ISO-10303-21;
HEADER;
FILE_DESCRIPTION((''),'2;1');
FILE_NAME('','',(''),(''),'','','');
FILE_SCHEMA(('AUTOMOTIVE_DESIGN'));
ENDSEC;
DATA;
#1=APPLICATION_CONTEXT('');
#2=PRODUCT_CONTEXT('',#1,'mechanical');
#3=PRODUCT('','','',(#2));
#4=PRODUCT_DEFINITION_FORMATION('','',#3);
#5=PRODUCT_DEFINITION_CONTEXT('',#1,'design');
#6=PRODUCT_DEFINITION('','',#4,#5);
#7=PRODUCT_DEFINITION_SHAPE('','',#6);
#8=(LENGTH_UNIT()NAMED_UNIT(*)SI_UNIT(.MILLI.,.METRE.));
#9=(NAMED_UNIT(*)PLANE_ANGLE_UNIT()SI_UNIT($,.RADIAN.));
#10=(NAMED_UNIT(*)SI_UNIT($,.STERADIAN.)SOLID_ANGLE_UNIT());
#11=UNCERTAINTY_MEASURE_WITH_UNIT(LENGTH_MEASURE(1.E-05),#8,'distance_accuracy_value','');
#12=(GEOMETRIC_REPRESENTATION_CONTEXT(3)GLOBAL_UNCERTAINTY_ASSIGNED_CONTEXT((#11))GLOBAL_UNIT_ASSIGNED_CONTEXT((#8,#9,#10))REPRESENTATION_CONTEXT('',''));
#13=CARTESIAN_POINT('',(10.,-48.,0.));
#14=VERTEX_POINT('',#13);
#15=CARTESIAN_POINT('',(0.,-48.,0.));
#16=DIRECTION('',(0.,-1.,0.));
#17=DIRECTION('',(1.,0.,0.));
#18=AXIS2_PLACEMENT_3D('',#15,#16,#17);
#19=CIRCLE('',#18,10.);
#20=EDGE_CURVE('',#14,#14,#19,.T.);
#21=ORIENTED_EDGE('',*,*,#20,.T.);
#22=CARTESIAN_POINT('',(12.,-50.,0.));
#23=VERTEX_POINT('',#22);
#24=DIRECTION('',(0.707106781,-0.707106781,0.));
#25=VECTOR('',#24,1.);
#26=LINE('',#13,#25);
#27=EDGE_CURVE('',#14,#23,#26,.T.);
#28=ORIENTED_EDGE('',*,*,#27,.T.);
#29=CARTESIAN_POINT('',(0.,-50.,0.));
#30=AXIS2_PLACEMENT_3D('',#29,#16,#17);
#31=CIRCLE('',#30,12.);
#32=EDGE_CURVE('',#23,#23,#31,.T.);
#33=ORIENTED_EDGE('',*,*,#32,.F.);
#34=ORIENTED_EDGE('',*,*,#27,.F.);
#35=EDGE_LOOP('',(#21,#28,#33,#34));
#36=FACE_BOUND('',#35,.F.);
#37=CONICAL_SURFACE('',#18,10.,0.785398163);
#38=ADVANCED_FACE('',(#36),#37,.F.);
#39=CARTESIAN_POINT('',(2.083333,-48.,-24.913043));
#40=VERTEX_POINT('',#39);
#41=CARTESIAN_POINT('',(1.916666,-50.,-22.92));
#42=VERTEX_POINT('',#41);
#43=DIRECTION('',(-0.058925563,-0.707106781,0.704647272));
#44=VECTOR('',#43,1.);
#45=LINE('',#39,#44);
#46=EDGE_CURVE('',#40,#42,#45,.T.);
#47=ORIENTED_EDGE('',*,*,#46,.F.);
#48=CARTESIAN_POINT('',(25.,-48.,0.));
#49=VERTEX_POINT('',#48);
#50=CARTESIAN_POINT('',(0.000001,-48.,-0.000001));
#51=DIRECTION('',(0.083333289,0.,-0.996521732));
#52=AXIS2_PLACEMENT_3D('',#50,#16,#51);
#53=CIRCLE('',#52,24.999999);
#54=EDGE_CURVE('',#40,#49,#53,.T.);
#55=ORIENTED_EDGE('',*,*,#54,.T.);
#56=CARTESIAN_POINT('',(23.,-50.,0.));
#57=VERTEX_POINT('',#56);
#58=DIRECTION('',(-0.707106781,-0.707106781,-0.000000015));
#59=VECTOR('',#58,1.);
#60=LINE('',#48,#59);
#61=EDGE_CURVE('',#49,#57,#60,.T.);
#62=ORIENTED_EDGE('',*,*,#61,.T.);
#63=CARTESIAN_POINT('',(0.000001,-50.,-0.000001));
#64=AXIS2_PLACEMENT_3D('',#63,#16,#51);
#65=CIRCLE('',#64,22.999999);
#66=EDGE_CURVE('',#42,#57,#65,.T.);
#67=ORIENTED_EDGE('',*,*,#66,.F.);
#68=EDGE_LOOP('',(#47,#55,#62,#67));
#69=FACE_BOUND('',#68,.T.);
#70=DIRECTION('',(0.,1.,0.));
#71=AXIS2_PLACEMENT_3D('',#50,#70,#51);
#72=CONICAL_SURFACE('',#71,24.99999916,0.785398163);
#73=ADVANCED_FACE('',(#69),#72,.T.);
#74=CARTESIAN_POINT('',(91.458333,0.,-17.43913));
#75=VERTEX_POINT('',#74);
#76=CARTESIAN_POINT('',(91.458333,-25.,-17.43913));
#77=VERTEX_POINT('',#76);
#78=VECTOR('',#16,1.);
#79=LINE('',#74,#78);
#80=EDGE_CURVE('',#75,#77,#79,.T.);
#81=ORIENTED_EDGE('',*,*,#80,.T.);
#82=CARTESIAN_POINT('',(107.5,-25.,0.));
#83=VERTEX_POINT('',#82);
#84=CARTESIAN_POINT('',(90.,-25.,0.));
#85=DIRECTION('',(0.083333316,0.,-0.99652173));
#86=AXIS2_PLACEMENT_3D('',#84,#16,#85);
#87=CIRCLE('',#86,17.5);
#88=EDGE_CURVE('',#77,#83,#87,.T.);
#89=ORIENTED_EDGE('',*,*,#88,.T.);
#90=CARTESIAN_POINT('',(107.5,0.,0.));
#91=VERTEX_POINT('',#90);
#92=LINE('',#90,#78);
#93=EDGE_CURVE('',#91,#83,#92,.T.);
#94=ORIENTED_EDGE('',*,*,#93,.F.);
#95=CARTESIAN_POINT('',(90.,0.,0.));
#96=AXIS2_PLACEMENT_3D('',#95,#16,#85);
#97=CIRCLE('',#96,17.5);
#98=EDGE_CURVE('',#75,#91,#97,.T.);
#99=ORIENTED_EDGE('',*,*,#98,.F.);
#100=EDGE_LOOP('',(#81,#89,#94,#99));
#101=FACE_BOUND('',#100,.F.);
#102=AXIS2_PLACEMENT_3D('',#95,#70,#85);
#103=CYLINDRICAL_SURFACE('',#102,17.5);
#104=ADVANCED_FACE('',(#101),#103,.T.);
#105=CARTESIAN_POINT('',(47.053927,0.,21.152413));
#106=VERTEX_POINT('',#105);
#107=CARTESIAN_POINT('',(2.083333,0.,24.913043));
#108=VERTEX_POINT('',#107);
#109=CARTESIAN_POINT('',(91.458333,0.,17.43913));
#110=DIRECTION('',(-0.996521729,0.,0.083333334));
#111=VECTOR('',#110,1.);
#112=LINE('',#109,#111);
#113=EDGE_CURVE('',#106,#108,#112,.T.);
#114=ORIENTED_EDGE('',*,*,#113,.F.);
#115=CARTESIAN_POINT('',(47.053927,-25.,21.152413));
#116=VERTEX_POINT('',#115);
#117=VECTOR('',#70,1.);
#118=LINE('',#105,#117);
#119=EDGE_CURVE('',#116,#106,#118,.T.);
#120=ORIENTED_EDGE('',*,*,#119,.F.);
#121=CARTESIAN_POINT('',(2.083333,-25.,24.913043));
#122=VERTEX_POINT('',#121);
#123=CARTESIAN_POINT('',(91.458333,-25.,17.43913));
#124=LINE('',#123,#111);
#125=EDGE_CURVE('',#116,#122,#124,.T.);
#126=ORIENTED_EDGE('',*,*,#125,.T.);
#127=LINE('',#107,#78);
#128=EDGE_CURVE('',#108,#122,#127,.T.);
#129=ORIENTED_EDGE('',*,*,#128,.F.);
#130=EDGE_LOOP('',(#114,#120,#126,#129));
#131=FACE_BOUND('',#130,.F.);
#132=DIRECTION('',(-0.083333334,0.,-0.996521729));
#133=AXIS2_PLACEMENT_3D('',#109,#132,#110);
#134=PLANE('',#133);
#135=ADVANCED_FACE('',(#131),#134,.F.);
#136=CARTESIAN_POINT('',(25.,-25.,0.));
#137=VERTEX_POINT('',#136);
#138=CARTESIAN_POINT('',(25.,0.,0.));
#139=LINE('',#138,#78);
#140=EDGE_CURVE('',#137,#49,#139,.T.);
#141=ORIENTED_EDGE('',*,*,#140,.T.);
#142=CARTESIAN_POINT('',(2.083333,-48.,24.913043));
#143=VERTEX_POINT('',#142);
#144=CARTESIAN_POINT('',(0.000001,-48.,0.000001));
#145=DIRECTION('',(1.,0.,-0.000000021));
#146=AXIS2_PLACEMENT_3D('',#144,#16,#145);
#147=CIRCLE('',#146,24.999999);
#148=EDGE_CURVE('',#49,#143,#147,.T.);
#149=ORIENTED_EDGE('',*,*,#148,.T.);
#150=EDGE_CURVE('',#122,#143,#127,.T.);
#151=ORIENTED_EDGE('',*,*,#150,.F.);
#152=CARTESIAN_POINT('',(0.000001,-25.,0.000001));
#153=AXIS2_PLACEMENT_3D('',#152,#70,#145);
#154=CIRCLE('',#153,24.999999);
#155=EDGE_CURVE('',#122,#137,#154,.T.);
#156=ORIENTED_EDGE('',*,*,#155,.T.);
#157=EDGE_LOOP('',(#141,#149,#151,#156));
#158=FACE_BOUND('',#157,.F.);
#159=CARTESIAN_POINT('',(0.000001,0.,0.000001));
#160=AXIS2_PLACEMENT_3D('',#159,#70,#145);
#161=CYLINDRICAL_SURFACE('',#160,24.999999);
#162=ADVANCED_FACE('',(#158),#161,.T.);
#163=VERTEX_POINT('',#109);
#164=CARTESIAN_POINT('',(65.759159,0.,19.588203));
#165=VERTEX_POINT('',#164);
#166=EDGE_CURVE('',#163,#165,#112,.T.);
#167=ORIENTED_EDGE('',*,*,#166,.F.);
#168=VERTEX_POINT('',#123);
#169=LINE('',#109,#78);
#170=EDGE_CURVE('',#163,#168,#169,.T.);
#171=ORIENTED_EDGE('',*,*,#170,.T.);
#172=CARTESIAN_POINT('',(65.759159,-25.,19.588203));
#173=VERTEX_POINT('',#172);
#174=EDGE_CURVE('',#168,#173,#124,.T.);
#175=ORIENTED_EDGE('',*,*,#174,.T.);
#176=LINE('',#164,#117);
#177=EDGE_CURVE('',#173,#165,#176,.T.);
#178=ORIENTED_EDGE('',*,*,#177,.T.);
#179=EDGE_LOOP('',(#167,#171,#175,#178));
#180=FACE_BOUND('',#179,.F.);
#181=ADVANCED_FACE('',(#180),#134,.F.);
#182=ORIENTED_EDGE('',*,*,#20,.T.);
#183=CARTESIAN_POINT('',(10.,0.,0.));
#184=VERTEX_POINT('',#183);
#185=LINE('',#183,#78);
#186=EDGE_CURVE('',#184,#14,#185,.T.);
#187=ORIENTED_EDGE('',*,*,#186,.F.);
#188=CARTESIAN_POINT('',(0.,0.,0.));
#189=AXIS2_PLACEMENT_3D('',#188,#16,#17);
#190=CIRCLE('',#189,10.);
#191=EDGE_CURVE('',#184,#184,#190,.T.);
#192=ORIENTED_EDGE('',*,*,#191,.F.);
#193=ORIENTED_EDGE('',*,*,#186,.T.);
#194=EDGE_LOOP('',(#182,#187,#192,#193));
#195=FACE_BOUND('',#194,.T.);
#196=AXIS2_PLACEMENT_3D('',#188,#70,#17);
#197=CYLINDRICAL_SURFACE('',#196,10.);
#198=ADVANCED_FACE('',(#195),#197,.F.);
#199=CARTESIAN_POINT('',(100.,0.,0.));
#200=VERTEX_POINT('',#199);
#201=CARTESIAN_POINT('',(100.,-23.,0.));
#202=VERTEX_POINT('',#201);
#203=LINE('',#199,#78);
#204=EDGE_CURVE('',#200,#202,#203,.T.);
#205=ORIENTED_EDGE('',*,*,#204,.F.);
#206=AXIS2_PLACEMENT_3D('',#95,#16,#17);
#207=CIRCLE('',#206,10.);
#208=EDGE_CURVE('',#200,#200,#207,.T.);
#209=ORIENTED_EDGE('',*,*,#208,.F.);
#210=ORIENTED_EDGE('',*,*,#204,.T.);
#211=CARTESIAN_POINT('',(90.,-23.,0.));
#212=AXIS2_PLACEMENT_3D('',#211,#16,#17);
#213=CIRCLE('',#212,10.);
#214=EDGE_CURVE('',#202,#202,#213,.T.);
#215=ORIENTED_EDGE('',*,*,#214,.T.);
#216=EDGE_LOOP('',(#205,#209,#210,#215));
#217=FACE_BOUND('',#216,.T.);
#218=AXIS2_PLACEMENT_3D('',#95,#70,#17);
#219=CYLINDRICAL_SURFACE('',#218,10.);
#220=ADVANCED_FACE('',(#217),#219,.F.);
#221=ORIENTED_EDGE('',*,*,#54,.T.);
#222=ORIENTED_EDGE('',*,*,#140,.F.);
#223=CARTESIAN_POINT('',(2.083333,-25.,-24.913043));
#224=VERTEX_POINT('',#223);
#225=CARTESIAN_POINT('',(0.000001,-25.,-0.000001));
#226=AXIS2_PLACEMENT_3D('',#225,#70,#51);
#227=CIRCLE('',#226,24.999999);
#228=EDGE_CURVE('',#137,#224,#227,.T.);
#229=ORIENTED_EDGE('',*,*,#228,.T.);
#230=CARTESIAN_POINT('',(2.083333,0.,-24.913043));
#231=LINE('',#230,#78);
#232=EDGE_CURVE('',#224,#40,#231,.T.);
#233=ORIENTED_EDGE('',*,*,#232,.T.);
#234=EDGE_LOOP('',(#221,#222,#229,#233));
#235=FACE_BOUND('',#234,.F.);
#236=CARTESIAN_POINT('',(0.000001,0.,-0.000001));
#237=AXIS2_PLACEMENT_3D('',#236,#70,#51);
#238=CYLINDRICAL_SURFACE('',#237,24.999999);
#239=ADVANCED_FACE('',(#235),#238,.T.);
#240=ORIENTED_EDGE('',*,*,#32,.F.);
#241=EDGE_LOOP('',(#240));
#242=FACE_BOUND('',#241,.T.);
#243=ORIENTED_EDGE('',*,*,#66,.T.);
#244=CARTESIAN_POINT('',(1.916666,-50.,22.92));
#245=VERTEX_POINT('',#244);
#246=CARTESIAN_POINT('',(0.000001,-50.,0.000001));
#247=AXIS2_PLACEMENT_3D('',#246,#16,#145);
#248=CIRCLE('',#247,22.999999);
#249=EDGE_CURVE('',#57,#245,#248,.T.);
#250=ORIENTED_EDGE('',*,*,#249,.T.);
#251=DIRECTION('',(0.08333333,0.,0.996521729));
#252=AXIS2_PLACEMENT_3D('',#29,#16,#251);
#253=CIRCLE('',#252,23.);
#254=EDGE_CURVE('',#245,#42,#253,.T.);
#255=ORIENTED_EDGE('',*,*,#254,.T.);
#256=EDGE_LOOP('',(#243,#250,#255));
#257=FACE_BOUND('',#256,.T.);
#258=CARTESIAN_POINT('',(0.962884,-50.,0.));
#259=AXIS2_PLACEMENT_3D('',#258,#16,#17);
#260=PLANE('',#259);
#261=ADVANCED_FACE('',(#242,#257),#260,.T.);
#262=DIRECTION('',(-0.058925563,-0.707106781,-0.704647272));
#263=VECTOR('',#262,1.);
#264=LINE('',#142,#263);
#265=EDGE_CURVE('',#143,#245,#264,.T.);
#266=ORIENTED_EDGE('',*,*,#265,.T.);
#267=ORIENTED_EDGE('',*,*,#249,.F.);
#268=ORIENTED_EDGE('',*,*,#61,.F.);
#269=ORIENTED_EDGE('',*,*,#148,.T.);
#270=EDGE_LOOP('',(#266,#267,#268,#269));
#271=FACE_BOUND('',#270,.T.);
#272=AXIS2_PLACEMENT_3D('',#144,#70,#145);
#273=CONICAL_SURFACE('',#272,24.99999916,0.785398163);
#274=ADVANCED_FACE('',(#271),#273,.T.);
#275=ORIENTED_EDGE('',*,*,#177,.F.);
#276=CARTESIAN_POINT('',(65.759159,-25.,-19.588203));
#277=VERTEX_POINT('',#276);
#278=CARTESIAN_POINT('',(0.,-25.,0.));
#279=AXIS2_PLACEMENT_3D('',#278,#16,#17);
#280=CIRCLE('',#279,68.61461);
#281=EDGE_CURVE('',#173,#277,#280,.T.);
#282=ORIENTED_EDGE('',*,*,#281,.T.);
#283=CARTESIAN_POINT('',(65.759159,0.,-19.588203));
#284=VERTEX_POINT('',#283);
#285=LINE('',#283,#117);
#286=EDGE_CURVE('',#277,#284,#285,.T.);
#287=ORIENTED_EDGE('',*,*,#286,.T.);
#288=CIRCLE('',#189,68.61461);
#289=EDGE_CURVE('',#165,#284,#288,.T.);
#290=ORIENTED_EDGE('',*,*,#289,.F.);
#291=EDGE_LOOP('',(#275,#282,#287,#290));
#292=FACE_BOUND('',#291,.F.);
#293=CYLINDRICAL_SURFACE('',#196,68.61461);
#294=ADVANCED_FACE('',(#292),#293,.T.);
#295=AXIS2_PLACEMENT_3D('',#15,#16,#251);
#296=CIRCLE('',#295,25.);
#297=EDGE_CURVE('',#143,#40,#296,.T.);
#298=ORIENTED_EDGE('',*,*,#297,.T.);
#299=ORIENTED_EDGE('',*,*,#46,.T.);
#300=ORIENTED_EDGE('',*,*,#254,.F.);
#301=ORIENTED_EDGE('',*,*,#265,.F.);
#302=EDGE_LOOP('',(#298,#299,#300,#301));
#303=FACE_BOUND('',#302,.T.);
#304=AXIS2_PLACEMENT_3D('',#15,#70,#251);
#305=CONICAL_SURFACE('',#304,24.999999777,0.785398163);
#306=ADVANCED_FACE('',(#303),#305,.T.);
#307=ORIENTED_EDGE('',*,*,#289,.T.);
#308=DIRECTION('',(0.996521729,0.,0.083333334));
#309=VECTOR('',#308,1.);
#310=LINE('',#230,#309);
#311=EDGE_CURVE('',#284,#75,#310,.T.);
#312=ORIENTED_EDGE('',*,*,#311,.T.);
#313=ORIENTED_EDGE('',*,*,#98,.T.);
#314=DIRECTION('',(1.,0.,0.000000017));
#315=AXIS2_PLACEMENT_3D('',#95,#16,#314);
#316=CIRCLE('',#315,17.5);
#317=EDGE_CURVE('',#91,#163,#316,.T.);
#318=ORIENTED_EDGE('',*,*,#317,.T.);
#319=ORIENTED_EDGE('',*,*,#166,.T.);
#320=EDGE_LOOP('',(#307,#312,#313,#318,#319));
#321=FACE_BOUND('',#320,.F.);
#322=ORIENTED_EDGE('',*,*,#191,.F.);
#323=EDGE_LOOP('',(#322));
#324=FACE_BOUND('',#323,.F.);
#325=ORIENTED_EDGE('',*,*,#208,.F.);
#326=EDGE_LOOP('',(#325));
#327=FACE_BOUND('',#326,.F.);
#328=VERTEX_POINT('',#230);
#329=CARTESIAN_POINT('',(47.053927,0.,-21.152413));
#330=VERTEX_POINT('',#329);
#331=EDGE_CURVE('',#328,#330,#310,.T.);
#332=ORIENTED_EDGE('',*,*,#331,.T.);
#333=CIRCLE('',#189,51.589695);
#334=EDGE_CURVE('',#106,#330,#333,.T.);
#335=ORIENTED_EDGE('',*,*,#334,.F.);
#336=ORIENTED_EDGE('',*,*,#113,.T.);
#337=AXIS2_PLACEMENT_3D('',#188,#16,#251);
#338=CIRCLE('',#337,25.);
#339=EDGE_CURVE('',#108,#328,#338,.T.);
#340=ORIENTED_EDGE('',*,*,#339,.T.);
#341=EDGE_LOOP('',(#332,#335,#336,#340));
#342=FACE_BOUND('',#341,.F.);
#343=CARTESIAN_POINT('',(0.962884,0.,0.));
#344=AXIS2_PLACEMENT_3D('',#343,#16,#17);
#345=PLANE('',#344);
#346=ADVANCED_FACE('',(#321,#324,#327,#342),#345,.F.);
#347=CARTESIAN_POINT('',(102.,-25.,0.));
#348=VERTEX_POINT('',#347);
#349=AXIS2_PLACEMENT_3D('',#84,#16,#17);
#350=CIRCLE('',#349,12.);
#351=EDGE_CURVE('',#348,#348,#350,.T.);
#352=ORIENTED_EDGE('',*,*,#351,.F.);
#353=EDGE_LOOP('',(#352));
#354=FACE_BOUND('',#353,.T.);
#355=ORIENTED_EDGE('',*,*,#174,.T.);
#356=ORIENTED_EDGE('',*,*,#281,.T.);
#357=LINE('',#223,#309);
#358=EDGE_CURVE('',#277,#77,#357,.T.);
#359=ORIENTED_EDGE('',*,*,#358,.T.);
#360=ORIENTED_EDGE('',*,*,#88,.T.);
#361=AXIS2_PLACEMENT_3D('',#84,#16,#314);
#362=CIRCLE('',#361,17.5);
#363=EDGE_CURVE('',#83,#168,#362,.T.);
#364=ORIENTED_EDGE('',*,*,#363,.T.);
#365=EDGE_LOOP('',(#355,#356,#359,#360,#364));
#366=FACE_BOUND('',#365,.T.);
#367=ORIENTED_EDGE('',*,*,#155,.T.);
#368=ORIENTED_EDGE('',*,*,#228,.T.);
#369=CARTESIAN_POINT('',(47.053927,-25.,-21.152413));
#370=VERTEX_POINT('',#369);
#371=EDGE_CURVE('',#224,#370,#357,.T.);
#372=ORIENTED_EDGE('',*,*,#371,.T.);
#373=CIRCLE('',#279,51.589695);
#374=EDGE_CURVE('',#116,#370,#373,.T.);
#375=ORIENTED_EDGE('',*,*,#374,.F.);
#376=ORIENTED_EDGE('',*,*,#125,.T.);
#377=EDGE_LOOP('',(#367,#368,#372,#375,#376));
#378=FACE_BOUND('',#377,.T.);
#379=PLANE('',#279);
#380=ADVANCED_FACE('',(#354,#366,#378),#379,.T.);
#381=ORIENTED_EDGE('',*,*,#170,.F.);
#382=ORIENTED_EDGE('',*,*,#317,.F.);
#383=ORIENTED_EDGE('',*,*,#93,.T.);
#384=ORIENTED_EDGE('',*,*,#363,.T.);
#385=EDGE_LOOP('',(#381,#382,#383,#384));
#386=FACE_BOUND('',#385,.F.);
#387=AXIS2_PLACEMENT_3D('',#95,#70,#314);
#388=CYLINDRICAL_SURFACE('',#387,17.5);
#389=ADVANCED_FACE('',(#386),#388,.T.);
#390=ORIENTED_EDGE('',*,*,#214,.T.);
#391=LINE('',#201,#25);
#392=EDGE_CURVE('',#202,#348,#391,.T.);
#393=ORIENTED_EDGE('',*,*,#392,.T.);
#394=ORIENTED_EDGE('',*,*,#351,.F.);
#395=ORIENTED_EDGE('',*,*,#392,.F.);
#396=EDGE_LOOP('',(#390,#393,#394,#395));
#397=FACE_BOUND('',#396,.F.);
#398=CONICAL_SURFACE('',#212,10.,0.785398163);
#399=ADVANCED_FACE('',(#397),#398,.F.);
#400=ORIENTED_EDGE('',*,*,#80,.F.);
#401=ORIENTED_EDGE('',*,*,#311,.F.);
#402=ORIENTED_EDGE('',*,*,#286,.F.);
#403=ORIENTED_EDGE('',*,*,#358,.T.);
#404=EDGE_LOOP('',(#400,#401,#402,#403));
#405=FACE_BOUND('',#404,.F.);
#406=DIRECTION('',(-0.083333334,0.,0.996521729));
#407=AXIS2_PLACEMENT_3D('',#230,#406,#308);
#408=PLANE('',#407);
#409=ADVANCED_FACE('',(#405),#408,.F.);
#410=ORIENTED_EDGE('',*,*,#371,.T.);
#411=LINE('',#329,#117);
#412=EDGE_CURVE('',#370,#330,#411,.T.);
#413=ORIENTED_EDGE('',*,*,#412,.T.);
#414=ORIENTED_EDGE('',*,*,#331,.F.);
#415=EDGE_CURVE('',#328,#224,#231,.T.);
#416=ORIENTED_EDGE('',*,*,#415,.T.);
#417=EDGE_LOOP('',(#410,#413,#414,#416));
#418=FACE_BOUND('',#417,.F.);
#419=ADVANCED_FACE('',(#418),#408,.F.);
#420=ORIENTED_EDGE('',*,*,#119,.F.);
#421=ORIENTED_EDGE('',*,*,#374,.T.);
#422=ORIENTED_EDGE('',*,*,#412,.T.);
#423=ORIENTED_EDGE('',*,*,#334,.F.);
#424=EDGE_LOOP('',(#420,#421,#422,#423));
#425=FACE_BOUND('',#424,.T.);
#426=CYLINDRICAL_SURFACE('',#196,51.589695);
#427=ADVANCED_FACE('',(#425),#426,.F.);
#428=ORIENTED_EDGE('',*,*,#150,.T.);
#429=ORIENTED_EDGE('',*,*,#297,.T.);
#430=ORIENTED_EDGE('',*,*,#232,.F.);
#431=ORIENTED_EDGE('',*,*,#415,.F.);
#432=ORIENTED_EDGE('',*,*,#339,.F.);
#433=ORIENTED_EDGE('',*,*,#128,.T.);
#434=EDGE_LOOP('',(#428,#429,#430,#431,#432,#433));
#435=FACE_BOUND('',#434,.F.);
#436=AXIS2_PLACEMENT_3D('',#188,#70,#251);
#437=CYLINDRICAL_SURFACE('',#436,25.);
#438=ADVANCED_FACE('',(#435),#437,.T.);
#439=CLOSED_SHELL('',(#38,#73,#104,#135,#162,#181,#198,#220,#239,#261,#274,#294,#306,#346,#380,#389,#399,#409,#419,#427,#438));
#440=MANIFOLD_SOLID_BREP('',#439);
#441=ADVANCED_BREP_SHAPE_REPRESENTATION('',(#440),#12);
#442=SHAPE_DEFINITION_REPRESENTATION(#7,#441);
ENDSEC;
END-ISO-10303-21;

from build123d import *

# Parameters (mm, degrees)
F0_R     = 10
F1_DEPTH = 25
F2_DEPTH = 50
F3_SIZE  = 2
F4_R     = 68.61461
F4_R_2   = 51.589695
F5_DEPTH = 25


with BuildPart() as f1:
    # F0 (on Front) → F1 (new body)
    with BuildSketch(Plane.XZ):
        with BuildLine():
            ThreePointArc((2.083333, -24.913043), (18.399502, -16.92508), (25, 0))
            ThreePointArc((25, 0), (18.399502, 16.92508), (2.083333, 24.913043))
            ThreePointArc((2.083333, 24.913043), (-25, 0), (2.083333, -24.913043))
        make_face()
        Circle(F0_R, mode=Mode.SUBTRACT)
        with BuildLine():
            ThreePointArc((2.083333, 24.913043), (18.399502, 16.92508), (25, 0))
            ThreePointArc((25, 0), (18.399502, -16.92508), (2.083333, -24.913043))
            Line((2.083333, -24.913043), (91.458333, -17.43913))
            ThreePointArc((91.458333, -17.43913), (72.5, 0), (91.458333, 17.43913))
            Line((91.458333, 17.43913), (2.083333, 24.913043))
        make_face()
        with BuildLine():
            ThreePointArc((107.5, 0), (102.879651, 11.847556), (91.458333, 17.43913))
            ThreePointArc((91.458333, 17.43913), (72.5, 0), (91.458333, -17.43913))
            ThreePointArc((91.458333, -17.43913), (102.879651, -11.847556), (107.5, 0))
        make_face()
        with Locations((90, 0)):
            Circle(F0_R, mode=Mode.SUBTRACT)
    extrude(amount=F1_DEPTH)

    # F0 (on Front) → F2 (join)
    with BuildSketch(Plane.XZ):
        with BuildLine():
            ThreePointArc((2.083333, -24.913043), (18.399502, -16.92508), (25, 0))
            ThreePointArc((25, 0), (18.399502, 16.92508), (2.083333, 24.913043))
            ThreePointArc((2.083333, 24.913043), (-25, 0), (2.083333, -24.913043))
        make_face()
        Circle(F0_R, mode=Mode.SUBTRACT)
    extrude(amount=F2_DEPTH)

    # F3
    f3_edges = [f1.edges().sort_by_distance(p)[0] for p in [
        (-2.083333, -50, 24.913043),
        (-10, -50, 0),
        (80, -25, 0),
    ]]
    chamfer(f3_edges, length=F3_SIZE)

    # F4 (on Front) → F5 (join)
    with BuildSketch(Plane.XZ):
        Circle(F4_R)
        Circle(F4_R_2, mode=Mode.SUBTRACT)
    extrude(amount=F5_DEPTH)


solid = f1.part
